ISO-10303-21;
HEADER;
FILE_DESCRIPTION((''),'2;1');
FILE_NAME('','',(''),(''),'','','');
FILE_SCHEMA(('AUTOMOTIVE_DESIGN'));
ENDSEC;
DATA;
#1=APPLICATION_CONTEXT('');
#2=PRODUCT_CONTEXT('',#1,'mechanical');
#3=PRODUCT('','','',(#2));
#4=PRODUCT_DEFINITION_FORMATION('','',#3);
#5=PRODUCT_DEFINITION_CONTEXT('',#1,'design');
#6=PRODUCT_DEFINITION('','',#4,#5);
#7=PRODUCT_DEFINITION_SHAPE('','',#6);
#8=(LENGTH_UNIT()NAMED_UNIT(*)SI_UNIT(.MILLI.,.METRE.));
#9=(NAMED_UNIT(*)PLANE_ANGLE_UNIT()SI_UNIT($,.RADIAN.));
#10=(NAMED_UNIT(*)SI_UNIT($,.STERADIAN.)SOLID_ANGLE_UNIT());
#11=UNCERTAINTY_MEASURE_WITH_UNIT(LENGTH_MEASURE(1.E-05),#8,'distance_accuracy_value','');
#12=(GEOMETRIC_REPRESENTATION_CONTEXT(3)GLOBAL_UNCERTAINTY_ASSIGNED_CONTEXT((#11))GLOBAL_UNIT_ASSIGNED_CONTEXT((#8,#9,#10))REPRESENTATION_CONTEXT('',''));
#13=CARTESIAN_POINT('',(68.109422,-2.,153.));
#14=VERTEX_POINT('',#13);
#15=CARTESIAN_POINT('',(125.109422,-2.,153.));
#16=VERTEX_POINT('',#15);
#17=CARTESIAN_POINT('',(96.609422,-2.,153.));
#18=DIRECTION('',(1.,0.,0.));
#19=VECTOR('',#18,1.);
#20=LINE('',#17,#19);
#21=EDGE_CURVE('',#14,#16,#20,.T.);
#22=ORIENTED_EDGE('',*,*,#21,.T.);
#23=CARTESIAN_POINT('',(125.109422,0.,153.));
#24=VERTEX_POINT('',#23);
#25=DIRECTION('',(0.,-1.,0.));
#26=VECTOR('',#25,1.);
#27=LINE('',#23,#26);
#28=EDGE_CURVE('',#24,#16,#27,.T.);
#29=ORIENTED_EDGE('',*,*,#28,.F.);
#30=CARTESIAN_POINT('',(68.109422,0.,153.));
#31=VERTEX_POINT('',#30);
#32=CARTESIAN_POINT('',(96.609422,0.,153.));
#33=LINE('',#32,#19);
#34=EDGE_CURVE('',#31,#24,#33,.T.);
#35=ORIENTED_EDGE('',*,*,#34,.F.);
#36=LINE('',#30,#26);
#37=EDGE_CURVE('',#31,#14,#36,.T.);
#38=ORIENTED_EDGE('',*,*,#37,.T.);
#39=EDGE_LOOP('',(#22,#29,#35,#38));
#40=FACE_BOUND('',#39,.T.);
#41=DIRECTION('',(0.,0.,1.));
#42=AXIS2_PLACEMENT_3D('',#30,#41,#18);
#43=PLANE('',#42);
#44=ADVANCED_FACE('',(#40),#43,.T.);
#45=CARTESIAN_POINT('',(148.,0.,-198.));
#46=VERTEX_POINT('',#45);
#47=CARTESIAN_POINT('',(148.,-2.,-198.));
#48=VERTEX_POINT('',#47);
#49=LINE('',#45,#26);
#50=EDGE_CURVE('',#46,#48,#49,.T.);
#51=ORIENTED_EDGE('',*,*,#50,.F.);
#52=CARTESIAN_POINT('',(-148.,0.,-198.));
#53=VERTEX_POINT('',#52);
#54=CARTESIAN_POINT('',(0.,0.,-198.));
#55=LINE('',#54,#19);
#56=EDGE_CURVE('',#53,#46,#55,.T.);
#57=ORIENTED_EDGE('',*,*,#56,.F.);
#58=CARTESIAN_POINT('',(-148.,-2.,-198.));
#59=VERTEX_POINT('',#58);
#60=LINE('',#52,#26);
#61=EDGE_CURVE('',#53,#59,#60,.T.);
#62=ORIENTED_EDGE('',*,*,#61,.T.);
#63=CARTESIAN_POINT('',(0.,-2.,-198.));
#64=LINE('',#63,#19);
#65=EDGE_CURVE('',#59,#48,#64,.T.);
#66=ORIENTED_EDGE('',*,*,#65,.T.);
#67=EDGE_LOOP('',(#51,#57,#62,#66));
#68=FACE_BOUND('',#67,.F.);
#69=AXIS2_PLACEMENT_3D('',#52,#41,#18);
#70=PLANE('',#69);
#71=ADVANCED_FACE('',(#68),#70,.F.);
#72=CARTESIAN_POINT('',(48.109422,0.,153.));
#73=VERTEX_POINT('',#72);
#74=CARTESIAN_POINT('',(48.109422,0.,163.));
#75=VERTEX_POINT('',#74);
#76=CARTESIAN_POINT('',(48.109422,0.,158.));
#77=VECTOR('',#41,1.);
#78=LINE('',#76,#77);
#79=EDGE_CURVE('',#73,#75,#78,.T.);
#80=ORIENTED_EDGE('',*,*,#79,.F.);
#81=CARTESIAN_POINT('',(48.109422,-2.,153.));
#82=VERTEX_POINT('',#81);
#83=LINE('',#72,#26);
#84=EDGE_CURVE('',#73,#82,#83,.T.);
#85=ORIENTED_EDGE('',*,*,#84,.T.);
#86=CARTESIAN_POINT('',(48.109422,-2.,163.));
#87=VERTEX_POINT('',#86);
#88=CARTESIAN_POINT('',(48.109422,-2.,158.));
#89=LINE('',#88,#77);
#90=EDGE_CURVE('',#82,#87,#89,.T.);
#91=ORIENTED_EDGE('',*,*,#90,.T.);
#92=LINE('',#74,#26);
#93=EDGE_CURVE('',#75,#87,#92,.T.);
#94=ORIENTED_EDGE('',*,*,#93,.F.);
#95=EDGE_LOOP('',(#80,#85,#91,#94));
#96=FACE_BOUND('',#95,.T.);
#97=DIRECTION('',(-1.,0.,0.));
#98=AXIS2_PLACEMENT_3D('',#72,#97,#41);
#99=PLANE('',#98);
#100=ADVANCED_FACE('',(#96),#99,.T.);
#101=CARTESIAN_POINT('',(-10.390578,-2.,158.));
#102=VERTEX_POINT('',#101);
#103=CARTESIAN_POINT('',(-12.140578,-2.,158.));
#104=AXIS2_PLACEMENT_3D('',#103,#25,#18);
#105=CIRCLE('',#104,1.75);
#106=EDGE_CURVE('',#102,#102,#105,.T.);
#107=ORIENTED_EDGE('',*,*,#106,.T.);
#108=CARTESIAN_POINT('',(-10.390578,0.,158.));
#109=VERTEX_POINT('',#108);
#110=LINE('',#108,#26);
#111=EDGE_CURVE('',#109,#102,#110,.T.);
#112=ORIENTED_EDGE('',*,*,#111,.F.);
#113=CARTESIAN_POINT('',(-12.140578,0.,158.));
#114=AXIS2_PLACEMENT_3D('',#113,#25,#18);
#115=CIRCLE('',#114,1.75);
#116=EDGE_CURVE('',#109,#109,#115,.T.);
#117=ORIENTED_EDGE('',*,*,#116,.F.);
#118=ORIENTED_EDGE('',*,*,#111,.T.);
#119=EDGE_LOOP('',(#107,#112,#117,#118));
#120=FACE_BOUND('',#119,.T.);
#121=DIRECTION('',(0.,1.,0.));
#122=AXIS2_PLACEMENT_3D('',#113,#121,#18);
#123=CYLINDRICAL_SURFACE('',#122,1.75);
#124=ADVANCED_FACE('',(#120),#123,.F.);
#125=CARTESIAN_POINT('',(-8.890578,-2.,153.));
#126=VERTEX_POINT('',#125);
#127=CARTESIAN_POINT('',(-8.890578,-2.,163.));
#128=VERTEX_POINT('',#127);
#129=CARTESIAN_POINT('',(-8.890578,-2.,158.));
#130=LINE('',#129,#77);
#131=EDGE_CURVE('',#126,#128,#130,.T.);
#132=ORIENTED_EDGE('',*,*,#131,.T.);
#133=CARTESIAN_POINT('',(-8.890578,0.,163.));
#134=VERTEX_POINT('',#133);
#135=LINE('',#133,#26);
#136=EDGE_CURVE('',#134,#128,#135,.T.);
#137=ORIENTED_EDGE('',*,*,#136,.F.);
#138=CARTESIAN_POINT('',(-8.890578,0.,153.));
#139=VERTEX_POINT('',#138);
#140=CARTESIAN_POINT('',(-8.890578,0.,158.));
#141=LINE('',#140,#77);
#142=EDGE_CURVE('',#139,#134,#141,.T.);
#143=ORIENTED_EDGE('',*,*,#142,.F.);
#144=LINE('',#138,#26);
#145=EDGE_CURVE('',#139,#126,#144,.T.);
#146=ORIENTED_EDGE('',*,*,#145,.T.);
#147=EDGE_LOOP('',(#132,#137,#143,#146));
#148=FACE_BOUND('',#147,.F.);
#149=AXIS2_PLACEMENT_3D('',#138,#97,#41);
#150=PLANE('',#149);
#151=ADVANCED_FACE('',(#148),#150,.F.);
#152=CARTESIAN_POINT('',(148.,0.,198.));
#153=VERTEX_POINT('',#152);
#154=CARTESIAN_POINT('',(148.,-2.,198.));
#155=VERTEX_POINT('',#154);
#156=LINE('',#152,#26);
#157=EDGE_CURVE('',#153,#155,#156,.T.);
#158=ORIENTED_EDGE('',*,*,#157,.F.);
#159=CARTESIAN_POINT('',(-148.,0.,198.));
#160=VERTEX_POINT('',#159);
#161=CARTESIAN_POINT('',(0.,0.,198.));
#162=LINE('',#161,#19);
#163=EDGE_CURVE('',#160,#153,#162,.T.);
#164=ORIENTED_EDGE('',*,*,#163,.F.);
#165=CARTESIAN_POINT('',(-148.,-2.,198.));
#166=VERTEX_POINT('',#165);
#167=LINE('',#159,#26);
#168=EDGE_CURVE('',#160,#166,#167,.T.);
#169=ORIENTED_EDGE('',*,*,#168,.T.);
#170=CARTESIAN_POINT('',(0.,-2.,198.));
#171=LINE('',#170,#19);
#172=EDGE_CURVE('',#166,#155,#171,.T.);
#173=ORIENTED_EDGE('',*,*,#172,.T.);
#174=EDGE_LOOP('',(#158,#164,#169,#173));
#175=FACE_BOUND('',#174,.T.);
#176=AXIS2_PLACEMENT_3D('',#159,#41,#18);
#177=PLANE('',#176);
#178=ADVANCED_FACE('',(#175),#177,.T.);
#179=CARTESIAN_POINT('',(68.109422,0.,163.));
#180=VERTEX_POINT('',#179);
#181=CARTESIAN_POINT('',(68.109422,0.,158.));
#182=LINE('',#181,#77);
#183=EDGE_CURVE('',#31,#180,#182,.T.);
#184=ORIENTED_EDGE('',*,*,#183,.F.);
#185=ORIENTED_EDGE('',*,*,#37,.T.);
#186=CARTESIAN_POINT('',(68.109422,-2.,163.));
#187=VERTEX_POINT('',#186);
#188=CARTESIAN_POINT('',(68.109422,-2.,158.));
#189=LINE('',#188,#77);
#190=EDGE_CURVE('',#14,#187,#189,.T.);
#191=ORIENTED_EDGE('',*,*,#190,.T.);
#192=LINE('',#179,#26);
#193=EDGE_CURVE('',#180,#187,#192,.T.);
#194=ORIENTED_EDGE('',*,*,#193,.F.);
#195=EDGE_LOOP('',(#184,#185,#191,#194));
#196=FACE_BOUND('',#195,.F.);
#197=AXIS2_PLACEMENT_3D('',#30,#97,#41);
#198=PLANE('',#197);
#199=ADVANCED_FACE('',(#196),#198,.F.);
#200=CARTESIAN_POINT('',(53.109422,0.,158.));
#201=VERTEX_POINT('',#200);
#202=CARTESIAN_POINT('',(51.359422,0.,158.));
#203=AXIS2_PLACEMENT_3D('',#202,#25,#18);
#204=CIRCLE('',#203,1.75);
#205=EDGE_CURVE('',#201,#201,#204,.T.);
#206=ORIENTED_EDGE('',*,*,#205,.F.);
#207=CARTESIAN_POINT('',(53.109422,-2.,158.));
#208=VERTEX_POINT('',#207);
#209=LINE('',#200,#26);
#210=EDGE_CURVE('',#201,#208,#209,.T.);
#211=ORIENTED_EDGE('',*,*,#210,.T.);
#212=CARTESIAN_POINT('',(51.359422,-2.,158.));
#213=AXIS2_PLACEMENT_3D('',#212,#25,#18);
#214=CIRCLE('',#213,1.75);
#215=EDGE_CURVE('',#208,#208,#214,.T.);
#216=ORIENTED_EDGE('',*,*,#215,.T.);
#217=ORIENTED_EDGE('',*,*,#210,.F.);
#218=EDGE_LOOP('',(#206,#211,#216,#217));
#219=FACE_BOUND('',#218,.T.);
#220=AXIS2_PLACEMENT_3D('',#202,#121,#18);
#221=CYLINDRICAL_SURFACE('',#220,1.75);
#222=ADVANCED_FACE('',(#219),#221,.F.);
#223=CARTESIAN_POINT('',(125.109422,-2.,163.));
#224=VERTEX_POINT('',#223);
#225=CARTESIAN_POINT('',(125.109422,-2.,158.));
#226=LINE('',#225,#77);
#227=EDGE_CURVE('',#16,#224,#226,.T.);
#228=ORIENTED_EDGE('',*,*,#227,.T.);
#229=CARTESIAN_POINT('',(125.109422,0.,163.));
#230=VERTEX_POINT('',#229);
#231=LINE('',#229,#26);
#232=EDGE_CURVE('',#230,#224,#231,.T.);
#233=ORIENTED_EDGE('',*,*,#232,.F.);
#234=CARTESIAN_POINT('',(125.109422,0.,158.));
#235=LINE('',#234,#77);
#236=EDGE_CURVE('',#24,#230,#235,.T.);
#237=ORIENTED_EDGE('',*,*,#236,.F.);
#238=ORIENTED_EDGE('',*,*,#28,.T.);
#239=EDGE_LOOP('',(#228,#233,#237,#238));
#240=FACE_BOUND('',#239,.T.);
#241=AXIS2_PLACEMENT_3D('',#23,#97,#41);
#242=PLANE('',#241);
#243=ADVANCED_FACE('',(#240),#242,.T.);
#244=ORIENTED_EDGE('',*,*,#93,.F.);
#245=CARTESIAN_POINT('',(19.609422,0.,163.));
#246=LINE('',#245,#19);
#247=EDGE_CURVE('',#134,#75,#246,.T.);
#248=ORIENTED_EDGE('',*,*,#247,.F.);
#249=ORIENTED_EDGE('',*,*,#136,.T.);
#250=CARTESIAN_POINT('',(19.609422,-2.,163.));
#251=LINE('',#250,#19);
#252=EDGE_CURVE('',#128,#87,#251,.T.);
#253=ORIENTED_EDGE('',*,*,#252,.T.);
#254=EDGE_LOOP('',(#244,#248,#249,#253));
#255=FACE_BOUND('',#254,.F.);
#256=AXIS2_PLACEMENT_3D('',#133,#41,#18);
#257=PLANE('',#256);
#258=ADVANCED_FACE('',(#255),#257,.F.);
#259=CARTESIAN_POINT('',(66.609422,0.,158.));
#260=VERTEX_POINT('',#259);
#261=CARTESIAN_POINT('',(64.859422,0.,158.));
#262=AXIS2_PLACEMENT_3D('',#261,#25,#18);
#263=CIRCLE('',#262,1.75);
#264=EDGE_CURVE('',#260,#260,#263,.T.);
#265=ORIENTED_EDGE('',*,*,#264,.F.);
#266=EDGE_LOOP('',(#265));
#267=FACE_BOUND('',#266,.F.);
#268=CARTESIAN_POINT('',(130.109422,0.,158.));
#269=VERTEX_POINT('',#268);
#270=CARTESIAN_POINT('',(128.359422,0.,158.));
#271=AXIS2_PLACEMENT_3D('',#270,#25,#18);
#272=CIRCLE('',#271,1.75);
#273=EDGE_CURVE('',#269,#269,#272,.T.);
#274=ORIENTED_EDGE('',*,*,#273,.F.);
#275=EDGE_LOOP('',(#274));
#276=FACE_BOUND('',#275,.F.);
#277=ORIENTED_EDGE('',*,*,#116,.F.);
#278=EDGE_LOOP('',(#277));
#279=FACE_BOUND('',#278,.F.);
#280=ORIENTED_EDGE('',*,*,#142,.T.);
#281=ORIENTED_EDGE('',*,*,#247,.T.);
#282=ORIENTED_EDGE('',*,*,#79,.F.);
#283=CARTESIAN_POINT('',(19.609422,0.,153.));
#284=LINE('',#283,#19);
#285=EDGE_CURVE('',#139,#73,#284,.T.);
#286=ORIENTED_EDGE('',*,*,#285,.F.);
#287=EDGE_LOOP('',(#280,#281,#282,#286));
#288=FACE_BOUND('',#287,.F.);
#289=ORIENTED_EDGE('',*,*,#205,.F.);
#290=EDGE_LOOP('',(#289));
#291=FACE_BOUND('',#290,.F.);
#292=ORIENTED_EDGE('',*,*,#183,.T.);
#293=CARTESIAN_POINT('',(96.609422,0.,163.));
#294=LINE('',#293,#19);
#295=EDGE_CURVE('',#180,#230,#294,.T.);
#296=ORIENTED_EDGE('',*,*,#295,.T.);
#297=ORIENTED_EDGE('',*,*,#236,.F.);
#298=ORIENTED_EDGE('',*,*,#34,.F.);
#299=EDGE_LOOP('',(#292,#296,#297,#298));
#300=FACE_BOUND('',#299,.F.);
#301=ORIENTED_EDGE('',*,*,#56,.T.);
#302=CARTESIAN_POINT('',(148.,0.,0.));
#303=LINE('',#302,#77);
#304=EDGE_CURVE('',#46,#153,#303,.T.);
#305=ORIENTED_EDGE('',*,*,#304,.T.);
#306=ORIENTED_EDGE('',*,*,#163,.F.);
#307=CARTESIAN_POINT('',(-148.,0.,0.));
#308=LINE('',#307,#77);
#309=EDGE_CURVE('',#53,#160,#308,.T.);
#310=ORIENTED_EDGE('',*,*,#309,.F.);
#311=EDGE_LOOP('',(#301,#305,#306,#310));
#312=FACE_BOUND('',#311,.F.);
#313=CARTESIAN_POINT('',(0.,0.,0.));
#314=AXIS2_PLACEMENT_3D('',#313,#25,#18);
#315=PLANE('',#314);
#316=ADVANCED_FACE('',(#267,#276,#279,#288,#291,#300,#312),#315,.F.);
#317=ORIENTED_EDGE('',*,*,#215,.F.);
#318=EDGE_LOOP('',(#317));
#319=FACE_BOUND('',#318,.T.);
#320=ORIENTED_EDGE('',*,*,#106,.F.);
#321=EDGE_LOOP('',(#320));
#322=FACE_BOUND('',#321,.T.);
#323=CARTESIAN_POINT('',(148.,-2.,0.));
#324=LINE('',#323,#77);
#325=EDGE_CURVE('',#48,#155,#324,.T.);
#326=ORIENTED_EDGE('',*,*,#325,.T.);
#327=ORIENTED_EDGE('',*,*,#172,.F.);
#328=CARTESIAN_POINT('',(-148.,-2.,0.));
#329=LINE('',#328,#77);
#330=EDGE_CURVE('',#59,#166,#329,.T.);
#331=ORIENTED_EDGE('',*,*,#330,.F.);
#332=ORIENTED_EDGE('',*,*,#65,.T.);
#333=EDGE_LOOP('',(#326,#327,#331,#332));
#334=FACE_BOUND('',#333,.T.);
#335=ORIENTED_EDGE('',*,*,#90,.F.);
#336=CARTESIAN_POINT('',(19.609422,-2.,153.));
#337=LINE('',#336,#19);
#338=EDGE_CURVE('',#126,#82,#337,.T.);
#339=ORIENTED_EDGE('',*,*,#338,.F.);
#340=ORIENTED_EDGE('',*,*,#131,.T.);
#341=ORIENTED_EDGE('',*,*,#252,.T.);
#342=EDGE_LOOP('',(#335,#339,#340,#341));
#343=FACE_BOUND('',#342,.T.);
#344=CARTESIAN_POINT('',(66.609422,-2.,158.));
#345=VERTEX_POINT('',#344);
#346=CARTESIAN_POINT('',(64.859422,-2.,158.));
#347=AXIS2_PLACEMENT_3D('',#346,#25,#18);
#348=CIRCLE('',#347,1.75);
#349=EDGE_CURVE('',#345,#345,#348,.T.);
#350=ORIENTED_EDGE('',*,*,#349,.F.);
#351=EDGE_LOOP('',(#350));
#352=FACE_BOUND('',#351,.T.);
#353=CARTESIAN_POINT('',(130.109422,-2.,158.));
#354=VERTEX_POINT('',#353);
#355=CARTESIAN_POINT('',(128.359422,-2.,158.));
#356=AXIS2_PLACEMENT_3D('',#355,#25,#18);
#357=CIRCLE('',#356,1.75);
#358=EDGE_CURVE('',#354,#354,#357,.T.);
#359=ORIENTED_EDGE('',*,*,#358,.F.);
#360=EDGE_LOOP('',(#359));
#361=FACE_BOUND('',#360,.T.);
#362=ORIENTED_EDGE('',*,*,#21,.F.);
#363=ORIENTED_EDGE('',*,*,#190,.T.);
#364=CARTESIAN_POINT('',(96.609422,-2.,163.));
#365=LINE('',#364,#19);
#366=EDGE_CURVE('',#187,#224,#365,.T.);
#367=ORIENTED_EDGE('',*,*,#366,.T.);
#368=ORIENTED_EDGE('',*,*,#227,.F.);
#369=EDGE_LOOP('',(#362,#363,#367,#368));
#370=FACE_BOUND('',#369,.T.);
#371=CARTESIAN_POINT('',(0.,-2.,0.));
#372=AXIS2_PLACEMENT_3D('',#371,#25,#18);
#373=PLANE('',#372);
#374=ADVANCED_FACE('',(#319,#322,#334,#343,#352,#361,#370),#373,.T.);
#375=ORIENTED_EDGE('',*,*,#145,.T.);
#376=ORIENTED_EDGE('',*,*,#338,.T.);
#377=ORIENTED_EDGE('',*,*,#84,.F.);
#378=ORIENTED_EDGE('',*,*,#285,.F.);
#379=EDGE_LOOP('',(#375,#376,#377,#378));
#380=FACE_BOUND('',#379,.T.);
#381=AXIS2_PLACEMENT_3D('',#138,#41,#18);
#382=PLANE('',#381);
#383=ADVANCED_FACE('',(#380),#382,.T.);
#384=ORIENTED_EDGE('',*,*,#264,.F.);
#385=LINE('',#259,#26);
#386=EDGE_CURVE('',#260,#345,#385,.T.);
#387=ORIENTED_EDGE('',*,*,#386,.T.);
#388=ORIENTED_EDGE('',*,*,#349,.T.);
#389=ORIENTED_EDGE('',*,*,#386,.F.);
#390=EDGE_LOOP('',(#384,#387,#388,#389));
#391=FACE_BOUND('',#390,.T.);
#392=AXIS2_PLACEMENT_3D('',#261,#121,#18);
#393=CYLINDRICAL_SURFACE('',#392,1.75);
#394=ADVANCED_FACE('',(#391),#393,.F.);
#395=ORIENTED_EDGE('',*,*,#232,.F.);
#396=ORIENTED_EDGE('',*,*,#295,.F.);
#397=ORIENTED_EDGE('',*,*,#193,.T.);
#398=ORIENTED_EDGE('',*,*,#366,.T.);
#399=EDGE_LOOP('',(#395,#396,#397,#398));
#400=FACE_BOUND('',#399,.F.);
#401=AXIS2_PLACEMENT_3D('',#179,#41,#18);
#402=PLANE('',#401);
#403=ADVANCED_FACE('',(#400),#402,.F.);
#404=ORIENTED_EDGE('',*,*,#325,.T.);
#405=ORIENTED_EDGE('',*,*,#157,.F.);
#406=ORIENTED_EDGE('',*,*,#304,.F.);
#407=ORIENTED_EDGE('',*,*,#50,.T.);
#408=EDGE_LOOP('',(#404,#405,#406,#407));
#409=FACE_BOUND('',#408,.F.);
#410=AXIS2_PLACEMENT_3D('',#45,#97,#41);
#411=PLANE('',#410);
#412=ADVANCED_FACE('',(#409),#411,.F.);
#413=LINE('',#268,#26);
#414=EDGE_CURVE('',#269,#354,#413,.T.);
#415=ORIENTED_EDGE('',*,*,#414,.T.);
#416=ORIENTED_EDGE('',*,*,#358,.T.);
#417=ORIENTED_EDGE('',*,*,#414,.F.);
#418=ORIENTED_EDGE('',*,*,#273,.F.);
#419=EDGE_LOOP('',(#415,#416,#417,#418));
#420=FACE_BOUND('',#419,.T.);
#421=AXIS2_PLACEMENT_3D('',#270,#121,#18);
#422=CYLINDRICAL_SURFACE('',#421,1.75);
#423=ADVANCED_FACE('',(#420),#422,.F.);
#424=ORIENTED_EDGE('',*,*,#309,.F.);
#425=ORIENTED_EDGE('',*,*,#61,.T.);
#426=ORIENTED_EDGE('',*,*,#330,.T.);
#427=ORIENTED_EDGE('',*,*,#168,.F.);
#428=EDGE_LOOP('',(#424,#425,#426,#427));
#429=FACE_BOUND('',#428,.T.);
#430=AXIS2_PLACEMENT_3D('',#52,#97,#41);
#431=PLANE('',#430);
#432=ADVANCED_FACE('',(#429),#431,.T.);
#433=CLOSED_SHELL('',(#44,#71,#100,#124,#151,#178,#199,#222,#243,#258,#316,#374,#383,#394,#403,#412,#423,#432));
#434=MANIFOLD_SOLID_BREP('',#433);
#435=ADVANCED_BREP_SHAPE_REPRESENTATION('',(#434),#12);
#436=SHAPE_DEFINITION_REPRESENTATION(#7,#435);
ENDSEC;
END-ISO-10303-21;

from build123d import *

# Parameters (mm, degrees)
F0_W     = 296
F0_H     = 396
F0_R     = 1.75
F0_W_2   = 57
F0_H_2   = 10
F1_DEPTH = 2


with BuildPart() as f1:
    # F0 (on Front) → F1 (new body)
    with BuildSketch(Plane.XZ):
        Rectangle(F0_W, F0_H)
        with Locations((-12.140578, 158)):
            Circle(F0_R, mode=Mode.SUBTRACT)
        with Locations((19.609422, 158)):
            Rectangle(F0_W_2, F0_H_2, mode=Mode.SUBTRACT)
        with Locations((51.359422, 158)):
            Circle(F0_R, mode=Mode.SUBTRACT)
        with Locations((64.859422, 158)):
            Circle(F0_R, mode=Mode.SUBTRACT)
        with Locations((96.609422, 158)):
            Rectangle(F0_W_2, F0_H_2, mode=Mode.SUBTRACT)
        with Locations((128.359422, 158)):
            Circle(F0_R, mode=Mode.SUBTRACT)
    extrude(amount=F1_DEPTH)


solid = f1.part
